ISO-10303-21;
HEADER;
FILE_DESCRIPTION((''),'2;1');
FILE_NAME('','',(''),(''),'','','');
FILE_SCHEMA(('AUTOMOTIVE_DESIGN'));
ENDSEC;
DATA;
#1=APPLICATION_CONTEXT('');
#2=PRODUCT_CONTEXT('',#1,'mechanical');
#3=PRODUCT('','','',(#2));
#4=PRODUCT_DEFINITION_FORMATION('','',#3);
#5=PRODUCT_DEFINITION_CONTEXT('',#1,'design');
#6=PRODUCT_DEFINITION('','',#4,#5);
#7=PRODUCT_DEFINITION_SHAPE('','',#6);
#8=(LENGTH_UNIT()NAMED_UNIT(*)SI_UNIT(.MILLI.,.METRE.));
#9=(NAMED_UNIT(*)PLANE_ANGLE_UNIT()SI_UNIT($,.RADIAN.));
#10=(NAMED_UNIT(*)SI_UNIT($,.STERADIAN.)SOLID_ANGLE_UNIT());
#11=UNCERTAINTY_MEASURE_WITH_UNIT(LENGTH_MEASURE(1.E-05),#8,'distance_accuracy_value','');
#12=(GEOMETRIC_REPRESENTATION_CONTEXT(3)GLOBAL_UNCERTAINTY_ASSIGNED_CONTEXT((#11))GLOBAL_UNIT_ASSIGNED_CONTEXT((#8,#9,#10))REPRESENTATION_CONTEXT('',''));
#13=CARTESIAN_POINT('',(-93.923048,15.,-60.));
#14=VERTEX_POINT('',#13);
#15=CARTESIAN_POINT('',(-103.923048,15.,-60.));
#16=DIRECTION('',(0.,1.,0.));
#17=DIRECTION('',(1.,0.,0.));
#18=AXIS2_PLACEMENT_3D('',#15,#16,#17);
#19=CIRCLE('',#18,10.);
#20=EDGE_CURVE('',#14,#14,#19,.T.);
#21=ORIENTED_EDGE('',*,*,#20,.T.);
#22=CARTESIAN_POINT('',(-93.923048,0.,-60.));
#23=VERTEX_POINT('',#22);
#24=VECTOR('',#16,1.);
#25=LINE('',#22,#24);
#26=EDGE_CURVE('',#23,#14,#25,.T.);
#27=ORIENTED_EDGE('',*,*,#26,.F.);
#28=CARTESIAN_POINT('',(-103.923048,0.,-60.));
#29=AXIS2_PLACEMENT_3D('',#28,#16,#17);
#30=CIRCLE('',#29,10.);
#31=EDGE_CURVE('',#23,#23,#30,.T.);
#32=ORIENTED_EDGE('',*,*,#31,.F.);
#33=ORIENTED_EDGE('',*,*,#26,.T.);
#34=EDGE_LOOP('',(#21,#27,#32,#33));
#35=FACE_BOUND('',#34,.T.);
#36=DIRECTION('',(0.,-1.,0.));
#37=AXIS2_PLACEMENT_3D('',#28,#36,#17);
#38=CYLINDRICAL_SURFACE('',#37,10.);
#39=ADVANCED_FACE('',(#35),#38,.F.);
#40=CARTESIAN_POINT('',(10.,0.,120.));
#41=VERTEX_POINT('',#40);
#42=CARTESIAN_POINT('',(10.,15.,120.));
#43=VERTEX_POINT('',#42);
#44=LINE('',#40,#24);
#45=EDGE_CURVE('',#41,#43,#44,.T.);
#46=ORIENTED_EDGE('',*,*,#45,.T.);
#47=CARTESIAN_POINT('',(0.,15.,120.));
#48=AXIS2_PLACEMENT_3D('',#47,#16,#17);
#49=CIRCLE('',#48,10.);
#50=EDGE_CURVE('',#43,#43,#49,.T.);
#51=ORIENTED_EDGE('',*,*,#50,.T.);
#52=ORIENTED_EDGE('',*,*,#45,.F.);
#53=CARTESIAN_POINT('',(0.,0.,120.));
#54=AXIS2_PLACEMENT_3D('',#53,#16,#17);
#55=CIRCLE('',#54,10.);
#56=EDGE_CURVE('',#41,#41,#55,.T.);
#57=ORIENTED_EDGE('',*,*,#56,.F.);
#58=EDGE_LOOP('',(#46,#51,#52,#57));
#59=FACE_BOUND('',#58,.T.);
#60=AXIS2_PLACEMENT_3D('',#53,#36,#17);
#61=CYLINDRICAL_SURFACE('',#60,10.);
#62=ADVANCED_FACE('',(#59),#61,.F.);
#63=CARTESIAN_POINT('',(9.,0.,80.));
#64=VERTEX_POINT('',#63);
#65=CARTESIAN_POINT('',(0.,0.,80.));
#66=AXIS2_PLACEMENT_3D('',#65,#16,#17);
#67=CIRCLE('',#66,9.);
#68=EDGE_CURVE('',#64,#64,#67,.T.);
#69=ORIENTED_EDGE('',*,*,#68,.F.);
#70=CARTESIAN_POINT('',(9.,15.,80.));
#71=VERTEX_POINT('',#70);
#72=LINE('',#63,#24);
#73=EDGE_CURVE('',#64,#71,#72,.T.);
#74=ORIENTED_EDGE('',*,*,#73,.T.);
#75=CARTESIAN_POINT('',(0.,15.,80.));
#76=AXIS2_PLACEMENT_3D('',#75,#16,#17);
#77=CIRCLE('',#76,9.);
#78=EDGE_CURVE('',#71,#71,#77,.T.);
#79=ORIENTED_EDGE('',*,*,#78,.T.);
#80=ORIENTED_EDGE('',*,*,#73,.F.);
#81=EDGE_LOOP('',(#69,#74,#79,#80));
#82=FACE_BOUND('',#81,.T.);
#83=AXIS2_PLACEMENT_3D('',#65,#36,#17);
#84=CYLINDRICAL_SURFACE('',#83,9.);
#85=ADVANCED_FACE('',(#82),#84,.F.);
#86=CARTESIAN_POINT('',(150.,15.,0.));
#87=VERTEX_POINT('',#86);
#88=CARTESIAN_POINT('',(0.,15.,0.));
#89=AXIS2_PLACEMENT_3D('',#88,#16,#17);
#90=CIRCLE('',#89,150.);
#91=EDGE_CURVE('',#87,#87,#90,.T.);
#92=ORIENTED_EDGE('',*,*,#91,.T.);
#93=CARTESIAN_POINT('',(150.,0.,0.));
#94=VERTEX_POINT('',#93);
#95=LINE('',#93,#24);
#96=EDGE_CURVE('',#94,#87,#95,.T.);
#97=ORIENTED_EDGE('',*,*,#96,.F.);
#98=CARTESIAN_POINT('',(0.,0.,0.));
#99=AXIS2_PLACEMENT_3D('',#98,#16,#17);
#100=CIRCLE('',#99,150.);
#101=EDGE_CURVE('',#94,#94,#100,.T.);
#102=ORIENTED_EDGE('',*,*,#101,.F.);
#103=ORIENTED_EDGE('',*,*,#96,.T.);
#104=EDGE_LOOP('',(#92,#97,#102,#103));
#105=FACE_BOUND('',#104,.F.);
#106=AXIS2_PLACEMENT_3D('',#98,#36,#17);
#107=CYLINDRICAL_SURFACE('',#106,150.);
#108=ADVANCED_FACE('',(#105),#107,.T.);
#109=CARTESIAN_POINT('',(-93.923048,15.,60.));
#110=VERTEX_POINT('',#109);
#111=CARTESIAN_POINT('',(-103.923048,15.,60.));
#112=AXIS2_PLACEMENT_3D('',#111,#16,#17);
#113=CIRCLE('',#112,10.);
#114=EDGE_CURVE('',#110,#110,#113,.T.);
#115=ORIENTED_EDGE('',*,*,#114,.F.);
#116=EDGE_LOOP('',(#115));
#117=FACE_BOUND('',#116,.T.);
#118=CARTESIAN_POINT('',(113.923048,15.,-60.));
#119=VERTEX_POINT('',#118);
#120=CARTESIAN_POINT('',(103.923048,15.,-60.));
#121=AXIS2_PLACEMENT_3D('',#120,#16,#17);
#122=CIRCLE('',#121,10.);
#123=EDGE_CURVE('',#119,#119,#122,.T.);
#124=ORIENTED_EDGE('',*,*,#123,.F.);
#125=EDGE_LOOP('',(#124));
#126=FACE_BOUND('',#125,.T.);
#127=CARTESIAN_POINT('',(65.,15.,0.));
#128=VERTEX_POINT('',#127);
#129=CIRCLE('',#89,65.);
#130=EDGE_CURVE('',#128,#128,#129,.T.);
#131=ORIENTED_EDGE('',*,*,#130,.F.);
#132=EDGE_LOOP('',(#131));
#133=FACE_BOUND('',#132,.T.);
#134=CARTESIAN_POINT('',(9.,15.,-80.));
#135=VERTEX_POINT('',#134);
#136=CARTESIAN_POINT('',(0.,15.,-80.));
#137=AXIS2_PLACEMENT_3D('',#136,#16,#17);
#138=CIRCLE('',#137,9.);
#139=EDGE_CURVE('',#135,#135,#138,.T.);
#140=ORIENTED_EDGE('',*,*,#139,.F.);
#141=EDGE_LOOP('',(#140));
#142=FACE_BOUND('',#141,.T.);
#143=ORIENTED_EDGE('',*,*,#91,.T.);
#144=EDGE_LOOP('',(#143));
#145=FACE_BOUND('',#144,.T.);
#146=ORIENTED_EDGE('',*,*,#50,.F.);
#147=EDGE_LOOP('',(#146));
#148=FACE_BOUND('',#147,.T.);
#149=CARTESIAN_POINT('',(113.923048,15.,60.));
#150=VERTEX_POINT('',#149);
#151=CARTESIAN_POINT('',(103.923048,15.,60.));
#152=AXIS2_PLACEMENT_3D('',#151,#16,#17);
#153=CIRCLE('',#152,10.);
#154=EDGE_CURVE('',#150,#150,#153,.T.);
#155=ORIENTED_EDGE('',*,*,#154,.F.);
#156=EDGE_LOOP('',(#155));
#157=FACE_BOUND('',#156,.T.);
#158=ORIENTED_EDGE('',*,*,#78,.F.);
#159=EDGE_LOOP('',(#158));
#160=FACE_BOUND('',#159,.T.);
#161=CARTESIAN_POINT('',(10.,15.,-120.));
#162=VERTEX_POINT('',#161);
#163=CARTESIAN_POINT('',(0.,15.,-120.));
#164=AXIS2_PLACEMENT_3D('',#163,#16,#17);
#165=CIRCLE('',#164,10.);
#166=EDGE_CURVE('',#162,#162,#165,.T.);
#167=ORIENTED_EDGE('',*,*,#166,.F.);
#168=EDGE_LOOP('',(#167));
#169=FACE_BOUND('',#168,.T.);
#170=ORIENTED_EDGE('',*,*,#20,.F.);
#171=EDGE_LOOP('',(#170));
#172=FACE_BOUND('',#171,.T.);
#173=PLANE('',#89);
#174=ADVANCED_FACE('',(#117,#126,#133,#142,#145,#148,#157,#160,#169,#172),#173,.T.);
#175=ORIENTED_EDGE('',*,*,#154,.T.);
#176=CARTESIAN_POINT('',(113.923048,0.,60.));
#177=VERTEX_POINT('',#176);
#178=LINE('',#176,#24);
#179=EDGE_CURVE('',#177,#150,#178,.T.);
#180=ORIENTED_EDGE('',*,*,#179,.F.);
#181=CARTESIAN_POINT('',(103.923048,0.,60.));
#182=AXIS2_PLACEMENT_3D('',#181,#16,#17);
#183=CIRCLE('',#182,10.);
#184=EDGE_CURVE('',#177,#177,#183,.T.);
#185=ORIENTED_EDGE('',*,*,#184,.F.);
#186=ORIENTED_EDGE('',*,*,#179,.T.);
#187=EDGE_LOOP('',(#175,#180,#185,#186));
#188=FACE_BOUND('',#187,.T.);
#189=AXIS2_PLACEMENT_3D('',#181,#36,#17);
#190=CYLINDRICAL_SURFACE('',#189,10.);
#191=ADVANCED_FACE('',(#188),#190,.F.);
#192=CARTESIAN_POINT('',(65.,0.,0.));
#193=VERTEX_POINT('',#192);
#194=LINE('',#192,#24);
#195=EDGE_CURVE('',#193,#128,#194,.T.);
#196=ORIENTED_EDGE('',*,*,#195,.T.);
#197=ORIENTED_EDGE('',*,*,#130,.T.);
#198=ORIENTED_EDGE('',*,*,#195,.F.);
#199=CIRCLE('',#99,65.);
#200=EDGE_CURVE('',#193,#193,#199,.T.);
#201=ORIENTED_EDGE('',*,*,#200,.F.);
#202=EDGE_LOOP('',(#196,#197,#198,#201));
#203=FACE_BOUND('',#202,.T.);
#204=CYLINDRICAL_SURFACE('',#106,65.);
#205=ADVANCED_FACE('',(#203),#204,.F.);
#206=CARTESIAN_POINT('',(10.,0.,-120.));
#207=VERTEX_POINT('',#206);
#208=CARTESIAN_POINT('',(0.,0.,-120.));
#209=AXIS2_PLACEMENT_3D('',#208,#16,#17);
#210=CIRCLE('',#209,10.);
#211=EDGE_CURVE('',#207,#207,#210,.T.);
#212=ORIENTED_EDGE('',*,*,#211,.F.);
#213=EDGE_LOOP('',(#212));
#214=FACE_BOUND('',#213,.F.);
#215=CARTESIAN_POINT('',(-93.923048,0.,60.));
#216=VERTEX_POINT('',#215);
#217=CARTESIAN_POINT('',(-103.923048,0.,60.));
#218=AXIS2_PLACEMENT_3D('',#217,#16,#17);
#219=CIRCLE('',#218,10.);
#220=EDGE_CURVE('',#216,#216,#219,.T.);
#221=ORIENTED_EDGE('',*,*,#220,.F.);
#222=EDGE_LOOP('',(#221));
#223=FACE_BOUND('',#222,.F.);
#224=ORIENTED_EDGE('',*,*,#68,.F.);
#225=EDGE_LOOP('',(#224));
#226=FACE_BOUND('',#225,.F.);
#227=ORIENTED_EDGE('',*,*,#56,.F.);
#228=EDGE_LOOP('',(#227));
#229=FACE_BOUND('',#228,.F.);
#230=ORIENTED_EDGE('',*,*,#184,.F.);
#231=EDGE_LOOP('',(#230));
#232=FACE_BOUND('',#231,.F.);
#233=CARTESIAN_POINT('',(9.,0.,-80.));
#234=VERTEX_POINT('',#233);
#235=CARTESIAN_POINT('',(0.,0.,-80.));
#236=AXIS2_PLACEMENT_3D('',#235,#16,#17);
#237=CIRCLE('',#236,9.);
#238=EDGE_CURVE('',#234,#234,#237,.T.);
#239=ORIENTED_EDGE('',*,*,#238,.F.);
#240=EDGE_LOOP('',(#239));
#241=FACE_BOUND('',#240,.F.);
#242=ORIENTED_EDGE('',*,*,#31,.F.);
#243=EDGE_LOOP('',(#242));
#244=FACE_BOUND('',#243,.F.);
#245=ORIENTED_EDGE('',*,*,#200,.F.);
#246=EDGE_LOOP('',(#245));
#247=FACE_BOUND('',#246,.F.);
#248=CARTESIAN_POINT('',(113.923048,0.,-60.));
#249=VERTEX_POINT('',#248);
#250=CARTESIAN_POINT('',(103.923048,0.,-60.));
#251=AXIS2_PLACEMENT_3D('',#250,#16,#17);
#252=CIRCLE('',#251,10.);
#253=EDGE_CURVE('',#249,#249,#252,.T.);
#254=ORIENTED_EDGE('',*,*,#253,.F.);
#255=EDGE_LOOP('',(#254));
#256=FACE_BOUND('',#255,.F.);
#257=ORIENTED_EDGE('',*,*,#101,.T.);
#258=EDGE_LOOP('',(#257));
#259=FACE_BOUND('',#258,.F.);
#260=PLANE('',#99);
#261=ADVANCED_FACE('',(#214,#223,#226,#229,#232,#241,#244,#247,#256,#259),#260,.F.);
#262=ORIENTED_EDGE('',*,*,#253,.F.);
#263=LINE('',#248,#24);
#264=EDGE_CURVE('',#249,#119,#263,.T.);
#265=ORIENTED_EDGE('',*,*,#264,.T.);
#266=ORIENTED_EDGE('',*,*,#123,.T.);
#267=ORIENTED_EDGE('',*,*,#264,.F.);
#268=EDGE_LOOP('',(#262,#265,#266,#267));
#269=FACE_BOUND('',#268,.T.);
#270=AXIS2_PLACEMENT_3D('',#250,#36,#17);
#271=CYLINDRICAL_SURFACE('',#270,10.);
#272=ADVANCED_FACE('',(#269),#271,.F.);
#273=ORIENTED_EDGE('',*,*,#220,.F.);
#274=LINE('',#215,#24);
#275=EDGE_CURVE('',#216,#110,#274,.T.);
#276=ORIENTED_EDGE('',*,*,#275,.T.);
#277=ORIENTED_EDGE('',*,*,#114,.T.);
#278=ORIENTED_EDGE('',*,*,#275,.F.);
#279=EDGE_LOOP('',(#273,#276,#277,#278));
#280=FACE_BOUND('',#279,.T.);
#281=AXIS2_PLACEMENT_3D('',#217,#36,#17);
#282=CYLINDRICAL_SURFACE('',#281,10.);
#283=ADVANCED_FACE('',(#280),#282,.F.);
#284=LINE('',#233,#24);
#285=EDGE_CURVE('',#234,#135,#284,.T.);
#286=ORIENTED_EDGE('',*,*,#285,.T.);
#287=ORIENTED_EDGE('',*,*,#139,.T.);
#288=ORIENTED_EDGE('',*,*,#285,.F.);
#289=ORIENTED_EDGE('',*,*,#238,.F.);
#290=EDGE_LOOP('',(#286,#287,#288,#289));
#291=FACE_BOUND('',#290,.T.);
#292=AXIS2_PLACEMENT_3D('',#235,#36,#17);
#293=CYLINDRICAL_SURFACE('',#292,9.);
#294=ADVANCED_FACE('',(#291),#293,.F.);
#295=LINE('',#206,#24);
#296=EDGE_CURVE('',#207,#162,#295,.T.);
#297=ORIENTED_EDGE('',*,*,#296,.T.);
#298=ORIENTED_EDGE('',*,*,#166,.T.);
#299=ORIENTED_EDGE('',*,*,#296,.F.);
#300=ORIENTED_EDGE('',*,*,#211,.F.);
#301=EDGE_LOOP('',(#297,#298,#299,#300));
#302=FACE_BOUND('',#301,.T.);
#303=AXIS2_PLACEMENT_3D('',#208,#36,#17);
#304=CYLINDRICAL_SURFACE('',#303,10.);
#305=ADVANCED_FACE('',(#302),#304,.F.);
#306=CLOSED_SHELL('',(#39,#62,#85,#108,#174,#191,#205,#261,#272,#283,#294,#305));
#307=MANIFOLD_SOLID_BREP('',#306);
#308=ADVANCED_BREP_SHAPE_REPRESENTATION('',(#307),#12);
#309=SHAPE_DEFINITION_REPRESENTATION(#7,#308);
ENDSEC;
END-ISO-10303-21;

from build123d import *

# Parameters (mm, degrees)
SKETCH1_R           = 150
SKETCH1_R_2         = 65
SKETCH1_R_3         = 10
SKETCH1_R_4         = 9
BOSS_EXTRUDE1_DEPTH = 15


with BuildPart() as part:
    # Sketch1 → Boss-Extrude1 (new body)
    with BuildSketch(Plane(origin=(0, 0, 0), x_dir=(1, 0, 0), z_dir=(0, 1, 0))):
        Circle(SKETCH1_R)
        Circle(SKETCH1_R_2, mode=Mode.SUBTRACT)
        with Locations((0, 120)):
            Circle(SKETCH1_R_3, mode=Mode.SUBTRACT)
        with Locations((0, 80)):
            Circle(SKETCH1_R_4, mode=Mode.SUBTRACT)
        with Locations((103.923048454, 60)):
            Circle(SKETCH1_R_3, mode=Mode.SUBTRACT)
        with Locations((103.923048454, -60)):
            Circle(SKETCH1_R_3, mode=Mode.SUBTRACT)
        with Locations((0, -120)):
            Circle(SKETCH1_R_3, mode=Mode.SUBTRACT)
        with Locations((-103.923048454, -60)):
            Circle(SKETCH1_R_3, mode=Mode.SUBTRACT)
        with Locations((-103.923048454, 60)):
            Circle(SKETCH1_R_3, mode=Mode.SUBTRACT)
        with Locations((0, -80)):
            Circle(SKETCH1_R_4, mode=Mode.SUBTRACT)
    extrude(amount=BOSS_EXTRUDE1_DEPTH)


solid = part.part
